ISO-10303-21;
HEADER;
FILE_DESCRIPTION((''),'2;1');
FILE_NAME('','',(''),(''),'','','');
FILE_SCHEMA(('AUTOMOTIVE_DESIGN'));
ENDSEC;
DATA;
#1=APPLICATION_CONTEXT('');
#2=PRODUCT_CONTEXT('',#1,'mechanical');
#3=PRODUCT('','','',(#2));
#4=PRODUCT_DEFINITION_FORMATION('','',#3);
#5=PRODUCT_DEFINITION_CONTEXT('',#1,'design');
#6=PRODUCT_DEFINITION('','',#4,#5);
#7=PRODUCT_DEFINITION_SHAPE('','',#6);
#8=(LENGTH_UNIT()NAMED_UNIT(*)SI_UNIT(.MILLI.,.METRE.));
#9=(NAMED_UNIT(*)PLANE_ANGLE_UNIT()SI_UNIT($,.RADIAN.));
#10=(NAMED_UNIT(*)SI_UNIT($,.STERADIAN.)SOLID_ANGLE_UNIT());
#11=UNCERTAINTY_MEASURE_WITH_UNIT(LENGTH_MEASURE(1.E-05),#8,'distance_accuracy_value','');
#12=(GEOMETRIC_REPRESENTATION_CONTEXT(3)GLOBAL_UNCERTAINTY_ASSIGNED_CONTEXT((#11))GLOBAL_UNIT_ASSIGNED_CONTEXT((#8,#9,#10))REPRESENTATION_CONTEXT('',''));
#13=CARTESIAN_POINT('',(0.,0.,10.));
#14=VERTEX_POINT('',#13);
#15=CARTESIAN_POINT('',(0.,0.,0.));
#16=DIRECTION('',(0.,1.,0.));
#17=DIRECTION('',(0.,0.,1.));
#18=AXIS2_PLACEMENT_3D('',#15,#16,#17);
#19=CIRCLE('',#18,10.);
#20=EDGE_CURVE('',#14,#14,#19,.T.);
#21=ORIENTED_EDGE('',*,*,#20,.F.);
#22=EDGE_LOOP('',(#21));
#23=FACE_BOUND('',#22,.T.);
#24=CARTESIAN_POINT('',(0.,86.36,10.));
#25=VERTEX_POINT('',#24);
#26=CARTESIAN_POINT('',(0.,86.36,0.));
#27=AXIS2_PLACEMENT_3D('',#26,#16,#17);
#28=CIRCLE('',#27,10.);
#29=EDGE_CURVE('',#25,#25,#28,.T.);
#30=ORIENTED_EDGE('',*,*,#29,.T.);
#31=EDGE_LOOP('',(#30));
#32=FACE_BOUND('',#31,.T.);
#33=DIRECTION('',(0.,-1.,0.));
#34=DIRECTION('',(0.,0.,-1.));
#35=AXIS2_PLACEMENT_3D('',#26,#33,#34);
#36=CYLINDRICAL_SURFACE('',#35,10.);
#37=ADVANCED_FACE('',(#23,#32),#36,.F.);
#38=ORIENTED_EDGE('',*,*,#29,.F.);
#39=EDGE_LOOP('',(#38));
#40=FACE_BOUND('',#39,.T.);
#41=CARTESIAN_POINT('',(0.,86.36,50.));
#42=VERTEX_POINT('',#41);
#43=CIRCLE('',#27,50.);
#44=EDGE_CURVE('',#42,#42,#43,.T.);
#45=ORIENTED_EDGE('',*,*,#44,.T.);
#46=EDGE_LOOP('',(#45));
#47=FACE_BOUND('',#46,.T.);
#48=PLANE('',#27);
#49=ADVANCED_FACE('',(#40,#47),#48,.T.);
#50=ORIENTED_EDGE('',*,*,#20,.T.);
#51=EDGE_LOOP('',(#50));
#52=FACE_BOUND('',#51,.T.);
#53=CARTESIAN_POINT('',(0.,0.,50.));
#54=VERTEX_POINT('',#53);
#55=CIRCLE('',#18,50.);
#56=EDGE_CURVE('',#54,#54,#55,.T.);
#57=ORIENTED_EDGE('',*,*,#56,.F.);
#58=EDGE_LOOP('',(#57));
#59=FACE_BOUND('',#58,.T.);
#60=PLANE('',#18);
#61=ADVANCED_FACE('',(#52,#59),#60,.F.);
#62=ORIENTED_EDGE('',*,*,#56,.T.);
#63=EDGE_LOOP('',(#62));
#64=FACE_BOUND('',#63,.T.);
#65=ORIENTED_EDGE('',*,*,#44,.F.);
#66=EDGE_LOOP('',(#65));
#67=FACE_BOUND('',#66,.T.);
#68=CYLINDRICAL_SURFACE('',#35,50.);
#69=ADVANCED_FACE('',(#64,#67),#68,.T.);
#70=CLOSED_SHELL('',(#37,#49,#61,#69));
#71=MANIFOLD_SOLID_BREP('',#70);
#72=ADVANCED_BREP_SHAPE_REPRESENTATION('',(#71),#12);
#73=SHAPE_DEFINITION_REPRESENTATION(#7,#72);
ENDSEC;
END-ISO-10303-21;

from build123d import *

# Parameters (mm, degrees)
SKETCH1_R           = 50
SKETCH1_R_2         = 10
BOSS_EXTRUDE1_DEPTH = 86.36


with BuildPart() as part:
    # Sketch1 → Boss-Extrude1 (new body)
    with BuildSketch(Plane(origin=(0, 0, 0), x_dir=(1, 0, 0), z_dir=(0, 1, 0))):
        Circle(SKETCH1_R)
        Circle(SKETCH1_R_2, mode=Mode.SUBTRACT)
    extrude(amount=BOSS_EXTRUDE1_DEPTH)


solid = part.part
